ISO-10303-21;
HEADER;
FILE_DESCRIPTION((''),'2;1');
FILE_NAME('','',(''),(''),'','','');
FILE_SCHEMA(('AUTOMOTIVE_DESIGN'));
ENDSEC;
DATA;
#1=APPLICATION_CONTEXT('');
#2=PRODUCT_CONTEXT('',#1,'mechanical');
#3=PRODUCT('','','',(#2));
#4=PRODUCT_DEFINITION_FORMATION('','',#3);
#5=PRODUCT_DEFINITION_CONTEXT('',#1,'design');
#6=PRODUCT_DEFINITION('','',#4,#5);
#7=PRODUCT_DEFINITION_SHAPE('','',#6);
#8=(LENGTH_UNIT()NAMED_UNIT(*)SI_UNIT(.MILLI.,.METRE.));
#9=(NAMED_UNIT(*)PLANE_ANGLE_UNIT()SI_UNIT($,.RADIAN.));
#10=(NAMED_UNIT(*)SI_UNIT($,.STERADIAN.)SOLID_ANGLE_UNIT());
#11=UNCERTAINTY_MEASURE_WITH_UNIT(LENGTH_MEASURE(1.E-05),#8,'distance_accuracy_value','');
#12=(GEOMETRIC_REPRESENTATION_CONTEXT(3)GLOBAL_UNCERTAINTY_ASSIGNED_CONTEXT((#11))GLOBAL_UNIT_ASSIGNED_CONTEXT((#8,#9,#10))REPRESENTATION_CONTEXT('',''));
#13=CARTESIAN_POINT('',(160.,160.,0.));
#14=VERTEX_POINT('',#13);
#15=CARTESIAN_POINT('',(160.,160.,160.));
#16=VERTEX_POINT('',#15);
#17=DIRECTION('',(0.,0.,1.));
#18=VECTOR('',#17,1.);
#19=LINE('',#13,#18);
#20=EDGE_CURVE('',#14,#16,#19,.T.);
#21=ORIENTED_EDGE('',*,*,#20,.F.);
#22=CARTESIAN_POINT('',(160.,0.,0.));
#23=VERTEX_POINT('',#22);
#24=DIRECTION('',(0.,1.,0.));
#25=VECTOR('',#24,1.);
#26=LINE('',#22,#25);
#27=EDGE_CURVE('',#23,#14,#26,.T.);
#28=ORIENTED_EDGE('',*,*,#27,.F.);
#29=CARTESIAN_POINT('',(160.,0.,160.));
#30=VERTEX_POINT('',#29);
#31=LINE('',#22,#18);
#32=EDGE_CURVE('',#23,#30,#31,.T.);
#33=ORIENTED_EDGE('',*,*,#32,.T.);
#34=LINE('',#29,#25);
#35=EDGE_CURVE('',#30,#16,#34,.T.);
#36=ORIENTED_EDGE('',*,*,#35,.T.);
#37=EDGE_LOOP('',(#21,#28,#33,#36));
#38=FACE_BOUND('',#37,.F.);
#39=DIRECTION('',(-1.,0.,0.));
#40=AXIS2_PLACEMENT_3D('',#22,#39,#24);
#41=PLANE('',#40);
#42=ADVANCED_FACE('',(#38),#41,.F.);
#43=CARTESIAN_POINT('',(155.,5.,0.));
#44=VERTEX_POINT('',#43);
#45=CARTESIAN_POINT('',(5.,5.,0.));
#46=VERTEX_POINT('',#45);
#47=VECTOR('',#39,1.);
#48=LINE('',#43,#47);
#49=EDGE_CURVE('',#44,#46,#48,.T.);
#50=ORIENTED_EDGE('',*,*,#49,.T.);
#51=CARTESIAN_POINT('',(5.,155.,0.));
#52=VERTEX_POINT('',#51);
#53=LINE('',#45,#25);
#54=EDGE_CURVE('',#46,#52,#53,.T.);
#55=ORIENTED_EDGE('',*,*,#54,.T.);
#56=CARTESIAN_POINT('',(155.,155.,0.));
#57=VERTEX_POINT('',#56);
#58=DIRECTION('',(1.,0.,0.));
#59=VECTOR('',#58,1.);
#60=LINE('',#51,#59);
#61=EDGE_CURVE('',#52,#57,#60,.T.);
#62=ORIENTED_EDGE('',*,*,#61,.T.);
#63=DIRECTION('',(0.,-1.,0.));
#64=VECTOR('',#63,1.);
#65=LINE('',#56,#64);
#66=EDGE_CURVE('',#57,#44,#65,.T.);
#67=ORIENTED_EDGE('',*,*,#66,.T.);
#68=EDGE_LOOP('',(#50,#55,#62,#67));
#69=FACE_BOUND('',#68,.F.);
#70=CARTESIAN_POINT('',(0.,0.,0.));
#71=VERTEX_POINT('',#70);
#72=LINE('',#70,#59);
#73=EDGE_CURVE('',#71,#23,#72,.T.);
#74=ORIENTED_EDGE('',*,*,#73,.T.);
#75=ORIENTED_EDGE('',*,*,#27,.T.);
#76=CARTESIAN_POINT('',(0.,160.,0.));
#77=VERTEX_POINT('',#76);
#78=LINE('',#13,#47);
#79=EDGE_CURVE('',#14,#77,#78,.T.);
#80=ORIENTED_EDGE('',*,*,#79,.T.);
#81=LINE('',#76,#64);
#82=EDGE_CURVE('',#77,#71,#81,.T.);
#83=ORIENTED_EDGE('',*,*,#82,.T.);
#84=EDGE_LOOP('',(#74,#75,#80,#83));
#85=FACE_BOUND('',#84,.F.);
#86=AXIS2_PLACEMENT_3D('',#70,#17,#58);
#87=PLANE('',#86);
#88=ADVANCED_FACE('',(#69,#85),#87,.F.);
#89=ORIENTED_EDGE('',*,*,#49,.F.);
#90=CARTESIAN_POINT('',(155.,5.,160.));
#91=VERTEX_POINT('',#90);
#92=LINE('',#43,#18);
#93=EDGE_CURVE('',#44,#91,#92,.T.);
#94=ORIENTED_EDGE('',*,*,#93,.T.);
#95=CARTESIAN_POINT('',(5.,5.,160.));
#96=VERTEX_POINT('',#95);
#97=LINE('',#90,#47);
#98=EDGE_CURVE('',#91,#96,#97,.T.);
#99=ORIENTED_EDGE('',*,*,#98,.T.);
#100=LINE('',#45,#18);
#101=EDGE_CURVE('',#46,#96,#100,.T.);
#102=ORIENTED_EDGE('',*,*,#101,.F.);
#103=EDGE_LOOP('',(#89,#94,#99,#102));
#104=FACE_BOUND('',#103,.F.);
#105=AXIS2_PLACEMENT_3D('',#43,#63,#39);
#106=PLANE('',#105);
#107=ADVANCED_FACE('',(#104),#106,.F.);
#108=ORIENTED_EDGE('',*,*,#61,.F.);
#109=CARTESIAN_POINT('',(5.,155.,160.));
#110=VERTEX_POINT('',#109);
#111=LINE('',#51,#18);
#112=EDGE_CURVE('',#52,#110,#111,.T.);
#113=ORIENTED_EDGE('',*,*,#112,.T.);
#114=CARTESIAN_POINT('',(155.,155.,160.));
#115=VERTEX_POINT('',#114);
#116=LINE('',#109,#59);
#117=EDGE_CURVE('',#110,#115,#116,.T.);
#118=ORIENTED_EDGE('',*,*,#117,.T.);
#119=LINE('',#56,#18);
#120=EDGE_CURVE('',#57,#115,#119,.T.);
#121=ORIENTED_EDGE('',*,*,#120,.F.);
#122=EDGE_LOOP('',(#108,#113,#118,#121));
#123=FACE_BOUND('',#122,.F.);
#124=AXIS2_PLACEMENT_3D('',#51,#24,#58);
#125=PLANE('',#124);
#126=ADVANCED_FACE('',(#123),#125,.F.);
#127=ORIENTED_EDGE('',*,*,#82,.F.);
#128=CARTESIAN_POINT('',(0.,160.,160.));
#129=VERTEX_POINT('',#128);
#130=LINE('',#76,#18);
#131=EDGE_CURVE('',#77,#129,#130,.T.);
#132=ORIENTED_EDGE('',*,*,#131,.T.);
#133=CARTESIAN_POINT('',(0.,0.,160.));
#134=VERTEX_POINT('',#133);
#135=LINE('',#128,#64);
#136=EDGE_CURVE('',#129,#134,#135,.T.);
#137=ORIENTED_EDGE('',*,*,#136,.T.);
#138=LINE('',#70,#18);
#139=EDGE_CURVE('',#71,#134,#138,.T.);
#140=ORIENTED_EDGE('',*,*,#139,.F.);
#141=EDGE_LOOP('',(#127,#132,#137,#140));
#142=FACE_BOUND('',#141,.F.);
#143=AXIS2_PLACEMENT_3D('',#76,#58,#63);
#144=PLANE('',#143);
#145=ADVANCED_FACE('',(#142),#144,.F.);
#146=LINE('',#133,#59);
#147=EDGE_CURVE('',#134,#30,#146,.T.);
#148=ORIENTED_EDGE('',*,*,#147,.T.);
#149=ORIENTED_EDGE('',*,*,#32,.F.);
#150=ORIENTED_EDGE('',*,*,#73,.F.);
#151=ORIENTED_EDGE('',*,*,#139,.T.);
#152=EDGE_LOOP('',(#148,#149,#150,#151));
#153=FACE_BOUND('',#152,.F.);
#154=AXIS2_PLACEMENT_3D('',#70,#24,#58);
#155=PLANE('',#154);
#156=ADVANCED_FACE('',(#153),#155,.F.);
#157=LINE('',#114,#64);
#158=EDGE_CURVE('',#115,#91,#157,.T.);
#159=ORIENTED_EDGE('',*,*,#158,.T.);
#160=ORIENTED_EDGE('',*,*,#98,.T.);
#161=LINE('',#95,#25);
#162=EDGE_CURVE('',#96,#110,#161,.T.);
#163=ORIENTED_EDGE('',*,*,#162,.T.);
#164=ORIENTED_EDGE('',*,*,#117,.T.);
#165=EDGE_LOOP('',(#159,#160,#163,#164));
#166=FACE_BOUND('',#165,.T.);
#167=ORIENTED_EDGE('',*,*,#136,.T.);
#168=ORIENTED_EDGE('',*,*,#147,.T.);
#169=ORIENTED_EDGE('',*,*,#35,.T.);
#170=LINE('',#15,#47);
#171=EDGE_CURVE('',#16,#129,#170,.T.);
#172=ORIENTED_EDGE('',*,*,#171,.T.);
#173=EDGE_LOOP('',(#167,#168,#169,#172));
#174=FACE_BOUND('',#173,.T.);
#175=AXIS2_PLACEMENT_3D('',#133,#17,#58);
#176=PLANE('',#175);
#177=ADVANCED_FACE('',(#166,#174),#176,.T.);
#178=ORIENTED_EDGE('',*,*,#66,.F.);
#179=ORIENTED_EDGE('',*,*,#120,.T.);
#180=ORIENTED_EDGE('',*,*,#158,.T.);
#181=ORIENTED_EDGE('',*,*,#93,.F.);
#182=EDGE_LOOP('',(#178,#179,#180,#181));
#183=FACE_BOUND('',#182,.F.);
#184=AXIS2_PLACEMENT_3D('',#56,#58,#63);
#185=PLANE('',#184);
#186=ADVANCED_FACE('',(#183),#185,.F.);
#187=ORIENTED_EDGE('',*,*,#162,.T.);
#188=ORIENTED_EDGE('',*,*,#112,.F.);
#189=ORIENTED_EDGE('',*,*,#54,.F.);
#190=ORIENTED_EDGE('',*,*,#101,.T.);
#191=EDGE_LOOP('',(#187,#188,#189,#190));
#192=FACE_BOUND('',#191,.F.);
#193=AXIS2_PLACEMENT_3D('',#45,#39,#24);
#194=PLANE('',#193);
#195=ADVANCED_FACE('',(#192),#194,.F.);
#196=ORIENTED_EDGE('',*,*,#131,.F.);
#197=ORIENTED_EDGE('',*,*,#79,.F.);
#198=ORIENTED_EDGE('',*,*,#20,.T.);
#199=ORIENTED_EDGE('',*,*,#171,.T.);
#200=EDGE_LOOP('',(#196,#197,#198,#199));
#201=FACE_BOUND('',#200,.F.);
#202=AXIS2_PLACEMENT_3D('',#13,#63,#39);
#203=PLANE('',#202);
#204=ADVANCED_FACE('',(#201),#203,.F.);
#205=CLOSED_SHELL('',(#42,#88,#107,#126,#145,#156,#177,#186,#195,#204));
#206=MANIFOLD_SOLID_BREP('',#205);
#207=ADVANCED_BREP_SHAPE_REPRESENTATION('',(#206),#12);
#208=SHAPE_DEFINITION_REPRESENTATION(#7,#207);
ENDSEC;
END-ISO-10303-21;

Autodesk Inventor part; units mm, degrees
ref_plane "YZ Plane" through (0, 0, 0) normal (1, 0, 0) x (0, 1, 0)
ref_plane "XZ Plane" through (0, 0, 0) normal (0, 1, 0) x (-1, 0, 0)
ref_plane "XY Plane" through (0, 0, 0) normal (0, 0, 1) x (1, 0, 0)
sketch "Sketch1" plane through (0, 0, 0) normal (0, 0, 1) x (1, 0, 0)
  line L0 (0, 0) -> (160, 0)
  line L1 (160, 0) -> (160, 160)
  line L2 (160, 160) -> (0, 160)
  line L3 (0, 160) -> (0, 0)
  line L4 (5, 155) -> (155, 155)
  line L5 (155, 155) -> (155, 5)
  line L6 (155, 5) -> (5, 5)
  line L7 (5, 5) -> (5, 155)
  dimension "d0" = 160
  dimension "d1" = 160
  dimension "d2" = 5
extrude "Extrusion1" add sketch "Sketch1" along normal blind 160
